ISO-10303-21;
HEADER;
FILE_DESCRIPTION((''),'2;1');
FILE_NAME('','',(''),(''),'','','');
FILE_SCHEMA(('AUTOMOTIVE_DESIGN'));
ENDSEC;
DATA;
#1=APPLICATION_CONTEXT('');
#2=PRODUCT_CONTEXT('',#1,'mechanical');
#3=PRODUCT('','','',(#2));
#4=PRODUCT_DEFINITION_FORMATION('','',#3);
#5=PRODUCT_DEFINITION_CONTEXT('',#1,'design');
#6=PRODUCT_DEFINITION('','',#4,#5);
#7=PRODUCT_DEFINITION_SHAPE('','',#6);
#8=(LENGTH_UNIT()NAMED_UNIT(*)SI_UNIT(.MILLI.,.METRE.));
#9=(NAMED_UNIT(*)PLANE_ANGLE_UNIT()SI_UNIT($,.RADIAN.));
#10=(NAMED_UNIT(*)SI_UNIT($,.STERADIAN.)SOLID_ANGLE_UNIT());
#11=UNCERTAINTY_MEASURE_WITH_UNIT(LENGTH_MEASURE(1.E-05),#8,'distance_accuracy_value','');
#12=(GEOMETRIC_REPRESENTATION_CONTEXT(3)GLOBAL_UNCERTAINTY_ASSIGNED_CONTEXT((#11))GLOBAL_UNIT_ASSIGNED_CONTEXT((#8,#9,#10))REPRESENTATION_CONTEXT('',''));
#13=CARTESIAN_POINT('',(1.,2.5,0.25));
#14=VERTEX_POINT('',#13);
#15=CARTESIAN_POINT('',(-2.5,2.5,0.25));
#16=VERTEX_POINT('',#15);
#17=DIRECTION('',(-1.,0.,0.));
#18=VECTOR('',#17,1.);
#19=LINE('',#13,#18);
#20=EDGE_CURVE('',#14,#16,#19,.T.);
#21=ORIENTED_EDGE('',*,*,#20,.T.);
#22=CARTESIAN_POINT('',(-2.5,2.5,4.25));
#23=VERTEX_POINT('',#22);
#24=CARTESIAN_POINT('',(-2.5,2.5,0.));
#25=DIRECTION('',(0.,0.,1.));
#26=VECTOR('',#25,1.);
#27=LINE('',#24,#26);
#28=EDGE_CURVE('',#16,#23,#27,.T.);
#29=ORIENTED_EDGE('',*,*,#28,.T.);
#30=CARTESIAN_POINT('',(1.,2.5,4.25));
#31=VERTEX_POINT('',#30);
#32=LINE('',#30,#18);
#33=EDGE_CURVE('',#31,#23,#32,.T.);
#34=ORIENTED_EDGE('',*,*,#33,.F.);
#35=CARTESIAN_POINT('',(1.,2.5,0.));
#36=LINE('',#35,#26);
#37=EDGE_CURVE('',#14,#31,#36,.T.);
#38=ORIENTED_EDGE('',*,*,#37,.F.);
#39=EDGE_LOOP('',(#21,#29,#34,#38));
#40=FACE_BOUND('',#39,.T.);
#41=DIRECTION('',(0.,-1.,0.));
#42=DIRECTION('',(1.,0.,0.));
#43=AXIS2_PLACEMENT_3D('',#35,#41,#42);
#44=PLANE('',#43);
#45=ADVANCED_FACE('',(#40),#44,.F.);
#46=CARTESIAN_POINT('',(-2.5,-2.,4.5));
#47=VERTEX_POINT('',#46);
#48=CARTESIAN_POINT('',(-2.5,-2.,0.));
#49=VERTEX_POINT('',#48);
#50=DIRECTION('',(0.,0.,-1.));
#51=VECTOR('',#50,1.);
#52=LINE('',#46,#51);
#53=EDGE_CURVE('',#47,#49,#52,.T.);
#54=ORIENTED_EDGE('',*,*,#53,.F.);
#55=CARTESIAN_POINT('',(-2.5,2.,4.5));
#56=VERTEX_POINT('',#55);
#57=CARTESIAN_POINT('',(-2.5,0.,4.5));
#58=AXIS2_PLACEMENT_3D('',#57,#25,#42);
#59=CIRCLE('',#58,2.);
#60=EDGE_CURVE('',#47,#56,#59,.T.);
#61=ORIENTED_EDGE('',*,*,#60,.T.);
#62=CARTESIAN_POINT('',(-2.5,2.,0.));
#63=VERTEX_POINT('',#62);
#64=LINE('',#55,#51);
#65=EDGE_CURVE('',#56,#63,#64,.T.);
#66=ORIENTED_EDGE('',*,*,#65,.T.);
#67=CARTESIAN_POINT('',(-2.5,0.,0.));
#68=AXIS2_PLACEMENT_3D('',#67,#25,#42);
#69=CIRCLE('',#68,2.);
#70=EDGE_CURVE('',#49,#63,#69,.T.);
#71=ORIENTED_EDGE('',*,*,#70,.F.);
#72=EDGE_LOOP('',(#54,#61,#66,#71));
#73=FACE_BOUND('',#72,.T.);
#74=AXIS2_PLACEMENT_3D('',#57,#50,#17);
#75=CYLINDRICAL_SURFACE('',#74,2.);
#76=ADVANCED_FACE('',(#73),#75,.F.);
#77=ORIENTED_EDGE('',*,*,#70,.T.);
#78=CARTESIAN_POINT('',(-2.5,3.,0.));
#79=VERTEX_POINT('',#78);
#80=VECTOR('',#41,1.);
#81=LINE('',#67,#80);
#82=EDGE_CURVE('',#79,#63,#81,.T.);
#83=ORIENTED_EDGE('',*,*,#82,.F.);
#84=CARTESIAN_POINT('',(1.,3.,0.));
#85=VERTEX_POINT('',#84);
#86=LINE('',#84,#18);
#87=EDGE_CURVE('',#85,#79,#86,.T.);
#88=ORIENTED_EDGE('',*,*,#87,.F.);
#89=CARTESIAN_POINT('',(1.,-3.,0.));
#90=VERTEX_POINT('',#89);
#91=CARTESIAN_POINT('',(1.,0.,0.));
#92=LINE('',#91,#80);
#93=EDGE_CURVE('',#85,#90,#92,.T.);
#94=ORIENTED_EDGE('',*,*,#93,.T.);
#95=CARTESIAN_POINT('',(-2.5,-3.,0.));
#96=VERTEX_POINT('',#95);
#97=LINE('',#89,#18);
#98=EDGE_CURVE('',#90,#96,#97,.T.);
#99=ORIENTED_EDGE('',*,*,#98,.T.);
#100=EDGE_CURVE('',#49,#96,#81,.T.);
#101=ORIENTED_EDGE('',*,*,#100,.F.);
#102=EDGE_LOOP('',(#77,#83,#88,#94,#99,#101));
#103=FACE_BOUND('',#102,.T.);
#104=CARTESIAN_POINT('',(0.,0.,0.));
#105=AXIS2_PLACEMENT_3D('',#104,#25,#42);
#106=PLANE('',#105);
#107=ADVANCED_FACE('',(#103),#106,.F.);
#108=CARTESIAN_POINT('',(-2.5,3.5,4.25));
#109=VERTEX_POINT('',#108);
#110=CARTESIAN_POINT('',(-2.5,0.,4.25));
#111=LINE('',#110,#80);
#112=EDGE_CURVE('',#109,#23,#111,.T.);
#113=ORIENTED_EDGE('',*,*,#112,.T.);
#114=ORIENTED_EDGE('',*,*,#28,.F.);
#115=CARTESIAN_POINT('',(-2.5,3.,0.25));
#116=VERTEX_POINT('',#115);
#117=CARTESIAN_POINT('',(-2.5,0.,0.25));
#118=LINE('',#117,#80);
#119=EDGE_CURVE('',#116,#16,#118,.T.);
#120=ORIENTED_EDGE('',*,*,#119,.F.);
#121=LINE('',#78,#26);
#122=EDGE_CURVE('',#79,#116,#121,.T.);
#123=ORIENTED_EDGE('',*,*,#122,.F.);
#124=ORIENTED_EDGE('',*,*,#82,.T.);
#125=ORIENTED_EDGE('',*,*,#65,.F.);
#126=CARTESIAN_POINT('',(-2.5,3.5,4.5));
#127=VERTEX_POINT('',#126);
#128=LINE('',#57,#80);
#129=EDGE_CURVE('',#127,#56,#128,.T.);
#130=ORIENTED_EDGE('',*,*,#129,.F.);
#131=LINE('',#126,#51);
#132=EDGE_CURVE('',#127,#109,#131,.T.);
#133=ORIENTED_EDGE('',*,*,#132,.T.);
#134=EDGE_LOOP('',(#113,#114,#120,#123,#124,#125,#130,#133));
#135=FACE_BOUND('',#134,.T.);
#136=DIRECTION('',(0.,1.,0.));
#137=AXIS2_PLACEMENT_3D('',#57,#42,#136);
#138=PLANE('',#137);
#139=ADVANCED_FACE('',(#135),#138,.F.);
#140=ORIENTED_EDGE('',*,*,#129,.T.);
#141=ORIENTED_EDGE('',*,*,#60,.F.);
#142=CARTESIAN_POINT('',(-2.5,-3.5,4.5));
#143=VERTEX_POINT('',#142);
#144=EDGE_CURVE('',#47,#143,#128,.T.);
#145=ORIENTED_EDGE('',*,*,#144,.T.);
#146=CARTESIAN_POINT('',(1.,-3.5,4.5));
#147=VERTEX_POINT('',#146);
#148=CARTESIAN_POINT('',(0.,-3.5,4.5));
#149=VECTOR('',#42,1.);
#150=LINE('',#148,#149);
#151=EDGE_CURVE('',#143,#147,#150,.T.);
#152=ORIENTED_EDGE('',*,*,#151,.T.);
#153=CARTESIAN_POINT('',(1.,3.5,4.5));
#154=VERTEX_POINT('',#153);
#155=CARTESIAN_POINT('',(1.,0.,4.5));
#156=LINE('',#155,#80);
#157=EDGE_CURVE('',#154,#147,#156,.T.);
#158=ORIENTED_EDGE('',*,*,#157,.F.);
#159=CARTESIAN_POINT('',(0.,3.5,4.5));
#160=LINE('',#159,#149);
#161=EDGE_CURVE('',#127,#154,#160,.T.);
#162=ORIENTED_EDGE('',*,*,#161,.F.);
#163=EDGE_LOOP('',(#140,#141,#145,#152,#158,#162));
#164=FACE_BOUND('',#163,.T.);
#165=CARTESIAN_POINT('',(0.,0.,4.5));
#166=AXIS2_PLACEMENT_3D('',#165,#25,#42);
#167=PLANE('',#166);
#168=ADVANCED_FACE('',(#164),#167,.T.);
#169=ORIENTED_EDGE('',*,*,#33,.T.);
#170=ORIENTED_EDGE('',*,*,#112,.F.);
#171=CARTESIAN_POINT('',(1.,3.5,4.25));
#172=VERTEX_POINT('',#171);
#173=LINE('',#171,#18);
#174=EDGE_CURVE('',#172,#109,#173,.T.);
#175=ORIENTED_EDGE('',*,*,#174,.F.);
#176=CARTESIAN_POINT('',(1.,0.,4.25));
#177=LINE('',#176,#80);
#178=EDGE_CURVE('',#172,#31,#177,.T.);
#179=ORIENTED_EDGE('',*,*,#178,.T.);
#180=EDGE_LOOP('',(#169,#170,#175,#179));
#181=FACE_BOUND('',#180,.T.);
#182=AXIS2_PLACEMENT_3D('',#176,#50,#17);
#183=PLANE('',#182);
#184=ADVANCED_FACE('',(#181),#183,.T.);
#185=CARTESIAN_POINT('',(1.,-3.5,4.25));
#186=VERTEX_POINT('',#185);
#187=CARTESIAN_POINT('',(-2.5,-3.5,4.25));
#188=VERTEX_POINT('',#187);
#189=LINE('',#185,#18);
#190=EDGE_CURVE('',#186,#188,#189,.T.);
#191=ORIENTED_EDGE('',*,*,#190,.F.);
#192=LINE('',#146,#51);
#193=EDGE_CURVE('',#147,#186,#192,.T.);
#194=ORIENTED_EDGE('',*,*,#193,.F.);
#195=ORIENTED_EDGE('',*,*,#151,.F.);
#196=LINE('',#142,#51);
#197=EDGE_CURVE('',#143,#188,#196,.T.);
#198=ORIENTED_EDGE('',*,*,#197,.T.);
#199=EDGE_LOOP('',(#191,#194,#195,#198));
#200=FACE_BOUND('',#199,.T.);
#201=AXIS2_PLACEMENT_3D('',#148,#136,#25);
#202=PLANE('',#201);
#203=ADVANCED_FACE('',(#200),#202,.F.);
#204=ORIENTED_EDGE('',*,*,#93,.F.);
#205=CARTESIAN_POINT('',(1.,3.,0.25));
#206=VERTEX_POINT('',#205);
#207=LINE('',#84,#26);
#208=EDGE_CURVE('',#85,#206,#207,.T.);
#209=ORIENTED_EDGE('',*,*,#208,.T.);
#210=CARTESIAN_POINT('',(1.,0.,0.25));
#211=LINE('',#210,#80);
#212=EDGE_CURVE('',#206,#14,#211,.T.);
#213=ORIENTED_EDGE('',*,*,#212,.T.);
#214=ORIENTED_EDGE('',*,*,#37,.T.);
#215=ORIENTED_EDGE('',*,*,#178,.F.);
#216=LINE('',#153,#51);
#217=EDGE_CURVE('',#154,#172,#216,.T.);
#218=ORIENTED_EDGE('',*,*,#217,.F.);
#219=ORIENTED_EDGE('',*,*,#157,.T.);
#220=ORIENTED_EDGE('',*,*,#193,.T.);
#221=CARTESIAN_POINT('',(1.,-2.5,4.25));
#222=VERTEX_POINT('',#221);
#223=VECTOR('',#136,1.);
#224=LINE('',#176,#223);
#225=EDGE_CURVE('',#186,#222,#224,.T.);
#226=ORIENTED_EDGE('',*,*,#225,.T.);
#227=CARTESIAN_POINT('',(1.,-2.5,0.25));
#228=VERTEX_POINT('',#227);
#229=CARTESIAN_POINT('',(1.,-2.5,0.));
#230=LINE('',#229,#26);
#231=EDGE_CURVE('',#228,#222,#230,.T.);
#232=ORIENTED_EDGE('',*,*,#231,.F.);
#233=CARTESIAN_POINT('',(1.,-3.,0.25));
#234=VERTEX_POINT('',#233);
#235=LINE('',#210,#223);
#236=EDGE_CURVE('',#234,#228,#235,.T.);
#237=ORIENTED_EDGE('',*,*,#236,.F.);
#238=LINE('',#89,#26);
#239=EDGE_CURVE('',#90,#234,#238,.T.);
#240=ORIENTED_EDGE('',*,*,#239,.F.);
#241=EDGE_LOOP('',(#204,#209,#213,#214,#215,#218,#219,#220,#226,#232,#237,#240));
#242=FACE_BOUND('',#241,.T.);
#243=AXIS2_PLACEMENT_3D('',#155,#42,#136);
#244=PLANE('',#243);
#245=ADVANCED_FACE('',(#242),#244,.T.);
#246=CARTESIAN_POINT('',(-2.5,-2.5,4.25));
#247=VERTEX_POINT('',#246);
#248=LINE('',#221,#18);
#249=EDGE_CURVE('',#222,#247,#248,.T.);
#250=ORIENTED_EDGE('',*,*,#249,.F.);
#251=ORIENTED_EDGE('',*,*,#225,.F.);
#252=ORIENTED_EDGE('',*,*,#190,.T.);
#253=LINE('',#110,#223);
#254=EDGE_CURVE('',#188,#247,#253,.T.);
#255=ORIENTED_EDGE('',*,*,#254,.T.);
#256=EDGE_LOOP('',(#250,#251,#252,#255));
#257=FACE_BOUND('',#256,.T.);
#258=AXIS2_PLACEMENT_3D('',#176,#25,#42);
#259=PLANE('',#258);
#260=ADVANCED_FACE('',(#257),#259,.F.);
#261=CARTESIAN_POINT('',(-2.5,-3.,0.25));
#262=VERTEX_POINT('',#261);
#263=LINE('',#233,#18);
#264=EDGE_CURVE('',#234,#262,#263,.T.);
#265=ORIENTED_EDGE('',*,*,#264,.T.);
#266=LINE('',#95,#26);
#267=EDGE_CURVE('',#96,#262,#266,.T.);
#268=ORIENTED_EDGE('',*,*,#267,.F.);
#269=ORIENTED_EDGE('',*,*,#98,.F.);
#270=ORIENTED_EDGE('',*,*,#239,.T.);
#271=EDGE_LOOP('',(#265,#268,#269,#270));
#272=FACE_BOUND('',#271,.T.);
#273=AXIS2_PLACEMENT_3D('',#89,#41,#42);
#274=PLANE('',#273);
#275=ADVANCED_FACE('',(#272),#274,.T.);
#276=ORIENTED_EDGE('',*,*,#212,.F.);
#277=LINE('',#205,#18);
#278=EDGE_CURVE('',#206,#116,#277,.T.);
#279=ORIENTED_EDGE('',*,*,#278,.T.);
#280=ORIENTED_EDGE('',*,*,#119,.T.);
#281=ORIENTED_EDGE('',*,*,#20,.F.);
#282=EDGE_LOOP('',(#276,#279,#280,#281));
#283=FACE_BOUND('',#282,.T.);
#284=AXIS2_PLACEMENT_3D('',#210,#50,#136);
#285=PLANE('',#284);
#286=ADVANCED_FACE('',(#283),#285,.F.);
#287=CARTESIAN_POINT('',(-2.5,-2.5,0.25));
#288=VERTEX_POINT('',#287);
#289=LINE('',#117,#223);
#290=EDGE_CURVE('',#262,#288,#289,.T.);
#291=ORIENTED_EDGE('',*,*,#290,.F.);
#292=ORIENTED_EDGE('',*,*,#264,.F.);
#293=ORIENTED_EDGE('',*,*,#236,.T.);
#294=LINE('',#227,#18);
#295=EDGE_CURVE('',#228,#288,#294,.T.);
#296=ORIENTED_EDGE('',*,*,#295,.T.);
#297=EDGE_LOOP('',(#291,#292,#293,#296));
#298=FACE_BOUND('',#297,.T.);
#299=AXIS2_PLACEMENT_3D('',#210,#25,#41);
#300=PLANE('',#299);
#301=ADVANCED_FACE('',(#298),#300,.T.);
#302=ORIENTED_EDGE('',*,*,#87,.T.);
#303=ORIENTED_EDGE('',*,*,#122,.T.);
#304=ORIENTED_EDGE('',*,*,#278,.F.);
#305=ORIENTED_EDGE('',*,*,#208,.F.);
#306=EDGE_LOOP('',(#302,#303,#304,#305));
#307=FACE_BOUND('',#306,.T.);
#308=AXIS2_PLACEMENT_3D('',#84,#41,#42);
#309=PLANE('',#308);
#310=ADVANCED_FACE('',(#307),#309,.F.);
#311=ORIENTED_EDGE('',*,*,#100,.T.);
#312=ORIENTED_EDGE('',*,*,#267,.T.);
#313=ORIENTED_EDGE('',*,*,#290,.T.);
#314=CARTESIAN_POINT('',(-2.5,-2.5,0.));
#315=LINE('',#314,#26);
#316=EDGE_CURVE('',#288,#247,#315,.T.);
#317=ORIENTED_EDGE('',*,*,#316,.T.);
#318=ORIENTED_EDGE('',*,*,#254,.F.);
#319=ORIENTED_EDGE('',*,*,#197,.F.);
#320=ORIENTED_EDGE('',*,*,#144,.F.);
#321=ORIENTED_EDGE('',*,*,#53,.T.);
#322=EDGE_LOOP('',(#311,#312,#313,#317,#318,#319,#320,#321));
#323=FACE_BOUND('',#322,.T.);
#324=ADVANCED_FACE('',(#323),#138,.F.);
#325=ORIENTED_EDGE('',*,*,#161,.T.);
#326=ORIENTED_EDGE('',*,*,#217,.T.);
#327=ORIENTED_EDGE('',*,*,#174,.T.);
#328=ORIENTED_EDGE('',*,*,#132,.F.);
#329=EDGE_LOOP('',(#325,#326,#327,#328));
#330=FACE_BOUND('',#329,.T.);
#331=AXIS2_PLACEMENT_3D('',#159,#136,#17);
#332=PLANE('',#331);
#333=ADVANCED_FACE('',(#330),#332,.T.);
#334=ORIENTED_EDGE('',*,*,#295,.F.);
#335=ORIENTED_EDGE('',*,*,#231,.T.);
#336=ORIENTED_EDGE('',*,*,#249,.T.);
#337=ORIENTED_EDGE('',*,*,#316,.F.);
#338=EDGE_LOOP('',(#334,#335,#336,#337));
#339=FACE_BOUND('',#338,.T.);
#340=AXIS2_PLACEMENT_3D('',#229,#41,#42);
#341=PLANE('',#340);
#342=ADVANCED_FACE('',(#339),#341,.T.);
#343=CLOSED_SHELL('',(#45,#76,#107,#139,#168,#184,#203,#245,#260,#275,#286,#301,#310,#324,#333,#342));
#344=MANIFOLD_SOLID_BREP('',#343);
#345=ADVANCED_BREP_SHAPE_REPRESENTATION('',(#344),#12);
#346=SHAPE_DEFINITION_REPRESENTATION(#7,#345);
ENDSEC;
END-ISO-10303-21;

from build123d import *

# Parameters (mm, degrees)
BOSS_EXTRU_1_DEPTH      = 4.5
ESQUISSE2_W             = 4
ESQUISSE2_H             = 0.5
ENL_V_MAT_EXTRU_2_DEPTH = 7.68954408


with BuildPart() as part:
    # Esquisse1 → Boss.-Extru.1 (new body)
    with BuildSketch(Plane.XY):
        with BuildLine():
            Line((1, 3.5), (-2.5, 3.5))
            Line((-2.5, 3.5), (-2.5, 2))
            ThreePointArc((-2.5, 2), (-0.5, 0), (-2.5, -2))
            Line((-2.5, -2), (-2.5, -3.5))
            Line((-2.5, -3.5), (1, -3.5))
            Line((1, -3.5), (1, 3.5))
        make_face()
    extrude(amount=BOSS_EXTRU_1_DEPTH)

    # Esquisse2 → Enlèv. mat.-Extru.2 (cut, through all)
    with BuildSketch(Plane.ZY.offset(2.5)):
        Polygon((4.25, 3.5), (0, 3.5), (0, 3), (0.25, 3), (4.25, 3), align=None)
        with Locations((2.25, 2.75)):
            Rectangle(ESQUISSE2_W, ESQUISSE2_H)
        with Locations((2.25, -2.75)):
            Rectangle(ESQUISSE2_W, ESQUISSE2_H)
        Polygon((4.25, -3), (0.25, -3), (0, -3), (0, -3.5), (4.25, -3.5), align=None)
    extrude(amount=-ENL_V_MAT_EXTRU_2_DEPTH, mode=Mode.SUBTRACT)


solid = part.part
